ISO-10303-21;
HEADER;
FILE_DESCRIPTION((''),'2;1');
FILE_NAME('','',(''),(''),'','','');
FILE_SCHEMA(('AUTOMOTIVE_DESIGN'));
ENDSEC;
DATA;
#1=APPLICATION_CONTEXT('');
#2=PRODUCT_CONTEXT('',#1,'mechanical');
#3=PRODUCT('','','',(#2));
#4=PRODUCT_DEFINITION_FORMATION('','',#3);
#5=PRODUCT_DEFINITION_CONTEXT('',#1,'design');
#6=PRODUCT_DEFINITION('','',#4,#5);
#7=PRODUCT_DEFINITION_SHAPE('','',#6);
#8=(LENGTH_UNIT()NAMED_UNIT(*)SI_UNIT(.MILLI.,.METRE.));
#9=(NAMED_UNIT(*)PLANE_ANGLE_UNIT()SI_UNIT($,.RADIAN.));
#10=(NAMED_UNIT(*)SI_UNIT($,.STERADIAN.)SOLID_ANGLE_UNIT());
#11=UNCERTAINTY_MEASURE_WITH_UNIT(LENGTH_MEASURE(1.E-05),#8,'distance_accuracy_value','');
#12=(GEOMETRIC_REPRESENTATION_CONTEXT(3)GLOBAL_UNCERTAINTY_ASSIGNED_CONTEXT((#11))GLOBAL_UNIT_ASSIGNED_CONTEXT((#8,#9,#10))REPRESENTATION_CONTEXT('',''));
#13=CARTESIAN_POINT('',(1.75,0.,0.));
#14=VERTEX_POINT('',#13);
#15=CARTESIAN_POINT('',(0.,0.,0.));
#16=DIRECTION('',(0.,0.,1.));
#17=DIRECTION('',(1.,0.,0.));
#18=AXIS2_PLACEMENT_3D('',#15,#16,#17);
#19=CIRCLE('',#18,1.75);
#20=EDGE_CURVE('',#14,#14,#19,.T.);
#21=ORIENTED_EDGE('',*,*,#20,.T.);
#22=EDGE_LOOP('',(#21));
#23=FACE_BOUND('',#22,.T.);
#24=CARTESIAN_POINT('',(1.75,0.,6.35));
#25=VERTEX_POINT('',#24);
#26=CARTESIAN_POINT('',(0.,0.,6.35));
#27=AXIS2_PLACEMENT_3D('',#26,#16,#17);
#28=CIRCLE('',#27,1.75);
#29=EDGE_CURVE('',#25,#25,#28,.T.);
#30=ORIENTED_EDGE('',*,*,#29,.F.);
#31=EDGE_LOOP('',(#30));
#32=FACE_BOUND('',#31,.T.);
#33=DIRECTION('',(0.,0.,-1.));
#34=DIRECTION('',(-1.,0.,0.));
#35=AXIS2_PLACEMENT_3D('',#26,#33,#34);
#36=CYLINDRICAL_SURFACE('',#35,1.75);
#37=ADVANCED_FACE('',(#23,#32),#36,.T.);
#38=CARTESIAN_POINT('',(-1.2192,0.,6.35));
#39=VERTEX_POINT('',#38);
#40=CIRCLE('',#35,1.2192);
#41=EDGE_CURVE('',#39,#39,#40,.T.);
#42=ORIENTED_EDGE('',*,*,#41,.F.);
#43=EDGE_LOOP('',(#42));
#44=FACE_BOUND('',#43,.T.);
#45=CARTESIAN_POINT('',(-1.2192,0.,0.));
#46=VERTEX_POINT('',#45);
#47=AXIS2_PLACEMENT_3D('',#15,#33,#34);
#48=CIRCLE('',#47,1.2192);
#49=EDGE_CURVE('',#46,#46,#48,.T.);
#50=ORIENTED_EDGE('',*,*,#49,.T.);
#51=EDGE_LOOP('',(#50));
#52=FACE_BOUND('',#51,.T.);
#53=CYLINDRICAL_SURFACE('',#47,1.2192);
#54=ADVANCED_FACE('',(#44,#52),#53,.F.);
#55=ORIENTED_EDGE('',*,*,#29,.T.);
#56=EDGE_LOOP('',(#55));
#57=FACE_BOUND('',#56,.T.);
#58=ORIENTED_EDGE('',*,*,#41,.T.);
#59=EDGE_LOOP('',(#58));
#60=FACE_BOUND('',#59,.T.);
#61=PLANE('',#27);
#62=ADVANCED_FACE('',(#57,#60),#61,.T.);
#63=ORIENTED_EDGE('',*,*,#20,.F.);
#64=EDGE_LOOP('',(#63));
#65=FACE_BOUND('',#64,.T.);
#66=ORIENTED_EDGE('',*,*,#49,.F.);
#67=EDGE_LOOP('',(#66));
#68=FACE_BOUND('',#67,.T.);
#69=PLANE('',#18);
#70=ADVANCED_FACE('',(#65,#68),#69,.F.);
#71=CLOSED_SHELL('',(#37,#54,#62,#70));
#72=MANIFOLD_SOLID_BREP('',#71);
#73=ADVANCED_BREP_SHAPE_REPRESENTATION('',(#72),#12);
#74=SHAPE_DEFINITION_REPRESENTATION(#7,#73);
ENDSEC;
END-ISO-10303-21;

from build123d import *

# Parameters (mm, degrees)
SKETCH1_R             = 1.75
BOSS_EXTRUDE1_DEPTH   = 6.35
F_4_CLEARANCE_HOLE1_D = 2.4384


with BuildPart() as part:
    # Sketch1 → Boss-Extrude1 (new body)
    with BuildSketch(Plane.XY):
        Circle(SKETCH1_R)
    extrude(amount=BOSS_EXTRUDE1_DEPTH)

    # #4 Clearance Hole1 (through all)
    with Locations(Plane(origin=(0, 0, 0), x_dir=(-1, 0, 0), z_dir=(0, 0, -1))):
        with Locations((0, 0)):
            Hole(F_4_CLEARANCE_HOLE1_D / 2)


solid = part.part
